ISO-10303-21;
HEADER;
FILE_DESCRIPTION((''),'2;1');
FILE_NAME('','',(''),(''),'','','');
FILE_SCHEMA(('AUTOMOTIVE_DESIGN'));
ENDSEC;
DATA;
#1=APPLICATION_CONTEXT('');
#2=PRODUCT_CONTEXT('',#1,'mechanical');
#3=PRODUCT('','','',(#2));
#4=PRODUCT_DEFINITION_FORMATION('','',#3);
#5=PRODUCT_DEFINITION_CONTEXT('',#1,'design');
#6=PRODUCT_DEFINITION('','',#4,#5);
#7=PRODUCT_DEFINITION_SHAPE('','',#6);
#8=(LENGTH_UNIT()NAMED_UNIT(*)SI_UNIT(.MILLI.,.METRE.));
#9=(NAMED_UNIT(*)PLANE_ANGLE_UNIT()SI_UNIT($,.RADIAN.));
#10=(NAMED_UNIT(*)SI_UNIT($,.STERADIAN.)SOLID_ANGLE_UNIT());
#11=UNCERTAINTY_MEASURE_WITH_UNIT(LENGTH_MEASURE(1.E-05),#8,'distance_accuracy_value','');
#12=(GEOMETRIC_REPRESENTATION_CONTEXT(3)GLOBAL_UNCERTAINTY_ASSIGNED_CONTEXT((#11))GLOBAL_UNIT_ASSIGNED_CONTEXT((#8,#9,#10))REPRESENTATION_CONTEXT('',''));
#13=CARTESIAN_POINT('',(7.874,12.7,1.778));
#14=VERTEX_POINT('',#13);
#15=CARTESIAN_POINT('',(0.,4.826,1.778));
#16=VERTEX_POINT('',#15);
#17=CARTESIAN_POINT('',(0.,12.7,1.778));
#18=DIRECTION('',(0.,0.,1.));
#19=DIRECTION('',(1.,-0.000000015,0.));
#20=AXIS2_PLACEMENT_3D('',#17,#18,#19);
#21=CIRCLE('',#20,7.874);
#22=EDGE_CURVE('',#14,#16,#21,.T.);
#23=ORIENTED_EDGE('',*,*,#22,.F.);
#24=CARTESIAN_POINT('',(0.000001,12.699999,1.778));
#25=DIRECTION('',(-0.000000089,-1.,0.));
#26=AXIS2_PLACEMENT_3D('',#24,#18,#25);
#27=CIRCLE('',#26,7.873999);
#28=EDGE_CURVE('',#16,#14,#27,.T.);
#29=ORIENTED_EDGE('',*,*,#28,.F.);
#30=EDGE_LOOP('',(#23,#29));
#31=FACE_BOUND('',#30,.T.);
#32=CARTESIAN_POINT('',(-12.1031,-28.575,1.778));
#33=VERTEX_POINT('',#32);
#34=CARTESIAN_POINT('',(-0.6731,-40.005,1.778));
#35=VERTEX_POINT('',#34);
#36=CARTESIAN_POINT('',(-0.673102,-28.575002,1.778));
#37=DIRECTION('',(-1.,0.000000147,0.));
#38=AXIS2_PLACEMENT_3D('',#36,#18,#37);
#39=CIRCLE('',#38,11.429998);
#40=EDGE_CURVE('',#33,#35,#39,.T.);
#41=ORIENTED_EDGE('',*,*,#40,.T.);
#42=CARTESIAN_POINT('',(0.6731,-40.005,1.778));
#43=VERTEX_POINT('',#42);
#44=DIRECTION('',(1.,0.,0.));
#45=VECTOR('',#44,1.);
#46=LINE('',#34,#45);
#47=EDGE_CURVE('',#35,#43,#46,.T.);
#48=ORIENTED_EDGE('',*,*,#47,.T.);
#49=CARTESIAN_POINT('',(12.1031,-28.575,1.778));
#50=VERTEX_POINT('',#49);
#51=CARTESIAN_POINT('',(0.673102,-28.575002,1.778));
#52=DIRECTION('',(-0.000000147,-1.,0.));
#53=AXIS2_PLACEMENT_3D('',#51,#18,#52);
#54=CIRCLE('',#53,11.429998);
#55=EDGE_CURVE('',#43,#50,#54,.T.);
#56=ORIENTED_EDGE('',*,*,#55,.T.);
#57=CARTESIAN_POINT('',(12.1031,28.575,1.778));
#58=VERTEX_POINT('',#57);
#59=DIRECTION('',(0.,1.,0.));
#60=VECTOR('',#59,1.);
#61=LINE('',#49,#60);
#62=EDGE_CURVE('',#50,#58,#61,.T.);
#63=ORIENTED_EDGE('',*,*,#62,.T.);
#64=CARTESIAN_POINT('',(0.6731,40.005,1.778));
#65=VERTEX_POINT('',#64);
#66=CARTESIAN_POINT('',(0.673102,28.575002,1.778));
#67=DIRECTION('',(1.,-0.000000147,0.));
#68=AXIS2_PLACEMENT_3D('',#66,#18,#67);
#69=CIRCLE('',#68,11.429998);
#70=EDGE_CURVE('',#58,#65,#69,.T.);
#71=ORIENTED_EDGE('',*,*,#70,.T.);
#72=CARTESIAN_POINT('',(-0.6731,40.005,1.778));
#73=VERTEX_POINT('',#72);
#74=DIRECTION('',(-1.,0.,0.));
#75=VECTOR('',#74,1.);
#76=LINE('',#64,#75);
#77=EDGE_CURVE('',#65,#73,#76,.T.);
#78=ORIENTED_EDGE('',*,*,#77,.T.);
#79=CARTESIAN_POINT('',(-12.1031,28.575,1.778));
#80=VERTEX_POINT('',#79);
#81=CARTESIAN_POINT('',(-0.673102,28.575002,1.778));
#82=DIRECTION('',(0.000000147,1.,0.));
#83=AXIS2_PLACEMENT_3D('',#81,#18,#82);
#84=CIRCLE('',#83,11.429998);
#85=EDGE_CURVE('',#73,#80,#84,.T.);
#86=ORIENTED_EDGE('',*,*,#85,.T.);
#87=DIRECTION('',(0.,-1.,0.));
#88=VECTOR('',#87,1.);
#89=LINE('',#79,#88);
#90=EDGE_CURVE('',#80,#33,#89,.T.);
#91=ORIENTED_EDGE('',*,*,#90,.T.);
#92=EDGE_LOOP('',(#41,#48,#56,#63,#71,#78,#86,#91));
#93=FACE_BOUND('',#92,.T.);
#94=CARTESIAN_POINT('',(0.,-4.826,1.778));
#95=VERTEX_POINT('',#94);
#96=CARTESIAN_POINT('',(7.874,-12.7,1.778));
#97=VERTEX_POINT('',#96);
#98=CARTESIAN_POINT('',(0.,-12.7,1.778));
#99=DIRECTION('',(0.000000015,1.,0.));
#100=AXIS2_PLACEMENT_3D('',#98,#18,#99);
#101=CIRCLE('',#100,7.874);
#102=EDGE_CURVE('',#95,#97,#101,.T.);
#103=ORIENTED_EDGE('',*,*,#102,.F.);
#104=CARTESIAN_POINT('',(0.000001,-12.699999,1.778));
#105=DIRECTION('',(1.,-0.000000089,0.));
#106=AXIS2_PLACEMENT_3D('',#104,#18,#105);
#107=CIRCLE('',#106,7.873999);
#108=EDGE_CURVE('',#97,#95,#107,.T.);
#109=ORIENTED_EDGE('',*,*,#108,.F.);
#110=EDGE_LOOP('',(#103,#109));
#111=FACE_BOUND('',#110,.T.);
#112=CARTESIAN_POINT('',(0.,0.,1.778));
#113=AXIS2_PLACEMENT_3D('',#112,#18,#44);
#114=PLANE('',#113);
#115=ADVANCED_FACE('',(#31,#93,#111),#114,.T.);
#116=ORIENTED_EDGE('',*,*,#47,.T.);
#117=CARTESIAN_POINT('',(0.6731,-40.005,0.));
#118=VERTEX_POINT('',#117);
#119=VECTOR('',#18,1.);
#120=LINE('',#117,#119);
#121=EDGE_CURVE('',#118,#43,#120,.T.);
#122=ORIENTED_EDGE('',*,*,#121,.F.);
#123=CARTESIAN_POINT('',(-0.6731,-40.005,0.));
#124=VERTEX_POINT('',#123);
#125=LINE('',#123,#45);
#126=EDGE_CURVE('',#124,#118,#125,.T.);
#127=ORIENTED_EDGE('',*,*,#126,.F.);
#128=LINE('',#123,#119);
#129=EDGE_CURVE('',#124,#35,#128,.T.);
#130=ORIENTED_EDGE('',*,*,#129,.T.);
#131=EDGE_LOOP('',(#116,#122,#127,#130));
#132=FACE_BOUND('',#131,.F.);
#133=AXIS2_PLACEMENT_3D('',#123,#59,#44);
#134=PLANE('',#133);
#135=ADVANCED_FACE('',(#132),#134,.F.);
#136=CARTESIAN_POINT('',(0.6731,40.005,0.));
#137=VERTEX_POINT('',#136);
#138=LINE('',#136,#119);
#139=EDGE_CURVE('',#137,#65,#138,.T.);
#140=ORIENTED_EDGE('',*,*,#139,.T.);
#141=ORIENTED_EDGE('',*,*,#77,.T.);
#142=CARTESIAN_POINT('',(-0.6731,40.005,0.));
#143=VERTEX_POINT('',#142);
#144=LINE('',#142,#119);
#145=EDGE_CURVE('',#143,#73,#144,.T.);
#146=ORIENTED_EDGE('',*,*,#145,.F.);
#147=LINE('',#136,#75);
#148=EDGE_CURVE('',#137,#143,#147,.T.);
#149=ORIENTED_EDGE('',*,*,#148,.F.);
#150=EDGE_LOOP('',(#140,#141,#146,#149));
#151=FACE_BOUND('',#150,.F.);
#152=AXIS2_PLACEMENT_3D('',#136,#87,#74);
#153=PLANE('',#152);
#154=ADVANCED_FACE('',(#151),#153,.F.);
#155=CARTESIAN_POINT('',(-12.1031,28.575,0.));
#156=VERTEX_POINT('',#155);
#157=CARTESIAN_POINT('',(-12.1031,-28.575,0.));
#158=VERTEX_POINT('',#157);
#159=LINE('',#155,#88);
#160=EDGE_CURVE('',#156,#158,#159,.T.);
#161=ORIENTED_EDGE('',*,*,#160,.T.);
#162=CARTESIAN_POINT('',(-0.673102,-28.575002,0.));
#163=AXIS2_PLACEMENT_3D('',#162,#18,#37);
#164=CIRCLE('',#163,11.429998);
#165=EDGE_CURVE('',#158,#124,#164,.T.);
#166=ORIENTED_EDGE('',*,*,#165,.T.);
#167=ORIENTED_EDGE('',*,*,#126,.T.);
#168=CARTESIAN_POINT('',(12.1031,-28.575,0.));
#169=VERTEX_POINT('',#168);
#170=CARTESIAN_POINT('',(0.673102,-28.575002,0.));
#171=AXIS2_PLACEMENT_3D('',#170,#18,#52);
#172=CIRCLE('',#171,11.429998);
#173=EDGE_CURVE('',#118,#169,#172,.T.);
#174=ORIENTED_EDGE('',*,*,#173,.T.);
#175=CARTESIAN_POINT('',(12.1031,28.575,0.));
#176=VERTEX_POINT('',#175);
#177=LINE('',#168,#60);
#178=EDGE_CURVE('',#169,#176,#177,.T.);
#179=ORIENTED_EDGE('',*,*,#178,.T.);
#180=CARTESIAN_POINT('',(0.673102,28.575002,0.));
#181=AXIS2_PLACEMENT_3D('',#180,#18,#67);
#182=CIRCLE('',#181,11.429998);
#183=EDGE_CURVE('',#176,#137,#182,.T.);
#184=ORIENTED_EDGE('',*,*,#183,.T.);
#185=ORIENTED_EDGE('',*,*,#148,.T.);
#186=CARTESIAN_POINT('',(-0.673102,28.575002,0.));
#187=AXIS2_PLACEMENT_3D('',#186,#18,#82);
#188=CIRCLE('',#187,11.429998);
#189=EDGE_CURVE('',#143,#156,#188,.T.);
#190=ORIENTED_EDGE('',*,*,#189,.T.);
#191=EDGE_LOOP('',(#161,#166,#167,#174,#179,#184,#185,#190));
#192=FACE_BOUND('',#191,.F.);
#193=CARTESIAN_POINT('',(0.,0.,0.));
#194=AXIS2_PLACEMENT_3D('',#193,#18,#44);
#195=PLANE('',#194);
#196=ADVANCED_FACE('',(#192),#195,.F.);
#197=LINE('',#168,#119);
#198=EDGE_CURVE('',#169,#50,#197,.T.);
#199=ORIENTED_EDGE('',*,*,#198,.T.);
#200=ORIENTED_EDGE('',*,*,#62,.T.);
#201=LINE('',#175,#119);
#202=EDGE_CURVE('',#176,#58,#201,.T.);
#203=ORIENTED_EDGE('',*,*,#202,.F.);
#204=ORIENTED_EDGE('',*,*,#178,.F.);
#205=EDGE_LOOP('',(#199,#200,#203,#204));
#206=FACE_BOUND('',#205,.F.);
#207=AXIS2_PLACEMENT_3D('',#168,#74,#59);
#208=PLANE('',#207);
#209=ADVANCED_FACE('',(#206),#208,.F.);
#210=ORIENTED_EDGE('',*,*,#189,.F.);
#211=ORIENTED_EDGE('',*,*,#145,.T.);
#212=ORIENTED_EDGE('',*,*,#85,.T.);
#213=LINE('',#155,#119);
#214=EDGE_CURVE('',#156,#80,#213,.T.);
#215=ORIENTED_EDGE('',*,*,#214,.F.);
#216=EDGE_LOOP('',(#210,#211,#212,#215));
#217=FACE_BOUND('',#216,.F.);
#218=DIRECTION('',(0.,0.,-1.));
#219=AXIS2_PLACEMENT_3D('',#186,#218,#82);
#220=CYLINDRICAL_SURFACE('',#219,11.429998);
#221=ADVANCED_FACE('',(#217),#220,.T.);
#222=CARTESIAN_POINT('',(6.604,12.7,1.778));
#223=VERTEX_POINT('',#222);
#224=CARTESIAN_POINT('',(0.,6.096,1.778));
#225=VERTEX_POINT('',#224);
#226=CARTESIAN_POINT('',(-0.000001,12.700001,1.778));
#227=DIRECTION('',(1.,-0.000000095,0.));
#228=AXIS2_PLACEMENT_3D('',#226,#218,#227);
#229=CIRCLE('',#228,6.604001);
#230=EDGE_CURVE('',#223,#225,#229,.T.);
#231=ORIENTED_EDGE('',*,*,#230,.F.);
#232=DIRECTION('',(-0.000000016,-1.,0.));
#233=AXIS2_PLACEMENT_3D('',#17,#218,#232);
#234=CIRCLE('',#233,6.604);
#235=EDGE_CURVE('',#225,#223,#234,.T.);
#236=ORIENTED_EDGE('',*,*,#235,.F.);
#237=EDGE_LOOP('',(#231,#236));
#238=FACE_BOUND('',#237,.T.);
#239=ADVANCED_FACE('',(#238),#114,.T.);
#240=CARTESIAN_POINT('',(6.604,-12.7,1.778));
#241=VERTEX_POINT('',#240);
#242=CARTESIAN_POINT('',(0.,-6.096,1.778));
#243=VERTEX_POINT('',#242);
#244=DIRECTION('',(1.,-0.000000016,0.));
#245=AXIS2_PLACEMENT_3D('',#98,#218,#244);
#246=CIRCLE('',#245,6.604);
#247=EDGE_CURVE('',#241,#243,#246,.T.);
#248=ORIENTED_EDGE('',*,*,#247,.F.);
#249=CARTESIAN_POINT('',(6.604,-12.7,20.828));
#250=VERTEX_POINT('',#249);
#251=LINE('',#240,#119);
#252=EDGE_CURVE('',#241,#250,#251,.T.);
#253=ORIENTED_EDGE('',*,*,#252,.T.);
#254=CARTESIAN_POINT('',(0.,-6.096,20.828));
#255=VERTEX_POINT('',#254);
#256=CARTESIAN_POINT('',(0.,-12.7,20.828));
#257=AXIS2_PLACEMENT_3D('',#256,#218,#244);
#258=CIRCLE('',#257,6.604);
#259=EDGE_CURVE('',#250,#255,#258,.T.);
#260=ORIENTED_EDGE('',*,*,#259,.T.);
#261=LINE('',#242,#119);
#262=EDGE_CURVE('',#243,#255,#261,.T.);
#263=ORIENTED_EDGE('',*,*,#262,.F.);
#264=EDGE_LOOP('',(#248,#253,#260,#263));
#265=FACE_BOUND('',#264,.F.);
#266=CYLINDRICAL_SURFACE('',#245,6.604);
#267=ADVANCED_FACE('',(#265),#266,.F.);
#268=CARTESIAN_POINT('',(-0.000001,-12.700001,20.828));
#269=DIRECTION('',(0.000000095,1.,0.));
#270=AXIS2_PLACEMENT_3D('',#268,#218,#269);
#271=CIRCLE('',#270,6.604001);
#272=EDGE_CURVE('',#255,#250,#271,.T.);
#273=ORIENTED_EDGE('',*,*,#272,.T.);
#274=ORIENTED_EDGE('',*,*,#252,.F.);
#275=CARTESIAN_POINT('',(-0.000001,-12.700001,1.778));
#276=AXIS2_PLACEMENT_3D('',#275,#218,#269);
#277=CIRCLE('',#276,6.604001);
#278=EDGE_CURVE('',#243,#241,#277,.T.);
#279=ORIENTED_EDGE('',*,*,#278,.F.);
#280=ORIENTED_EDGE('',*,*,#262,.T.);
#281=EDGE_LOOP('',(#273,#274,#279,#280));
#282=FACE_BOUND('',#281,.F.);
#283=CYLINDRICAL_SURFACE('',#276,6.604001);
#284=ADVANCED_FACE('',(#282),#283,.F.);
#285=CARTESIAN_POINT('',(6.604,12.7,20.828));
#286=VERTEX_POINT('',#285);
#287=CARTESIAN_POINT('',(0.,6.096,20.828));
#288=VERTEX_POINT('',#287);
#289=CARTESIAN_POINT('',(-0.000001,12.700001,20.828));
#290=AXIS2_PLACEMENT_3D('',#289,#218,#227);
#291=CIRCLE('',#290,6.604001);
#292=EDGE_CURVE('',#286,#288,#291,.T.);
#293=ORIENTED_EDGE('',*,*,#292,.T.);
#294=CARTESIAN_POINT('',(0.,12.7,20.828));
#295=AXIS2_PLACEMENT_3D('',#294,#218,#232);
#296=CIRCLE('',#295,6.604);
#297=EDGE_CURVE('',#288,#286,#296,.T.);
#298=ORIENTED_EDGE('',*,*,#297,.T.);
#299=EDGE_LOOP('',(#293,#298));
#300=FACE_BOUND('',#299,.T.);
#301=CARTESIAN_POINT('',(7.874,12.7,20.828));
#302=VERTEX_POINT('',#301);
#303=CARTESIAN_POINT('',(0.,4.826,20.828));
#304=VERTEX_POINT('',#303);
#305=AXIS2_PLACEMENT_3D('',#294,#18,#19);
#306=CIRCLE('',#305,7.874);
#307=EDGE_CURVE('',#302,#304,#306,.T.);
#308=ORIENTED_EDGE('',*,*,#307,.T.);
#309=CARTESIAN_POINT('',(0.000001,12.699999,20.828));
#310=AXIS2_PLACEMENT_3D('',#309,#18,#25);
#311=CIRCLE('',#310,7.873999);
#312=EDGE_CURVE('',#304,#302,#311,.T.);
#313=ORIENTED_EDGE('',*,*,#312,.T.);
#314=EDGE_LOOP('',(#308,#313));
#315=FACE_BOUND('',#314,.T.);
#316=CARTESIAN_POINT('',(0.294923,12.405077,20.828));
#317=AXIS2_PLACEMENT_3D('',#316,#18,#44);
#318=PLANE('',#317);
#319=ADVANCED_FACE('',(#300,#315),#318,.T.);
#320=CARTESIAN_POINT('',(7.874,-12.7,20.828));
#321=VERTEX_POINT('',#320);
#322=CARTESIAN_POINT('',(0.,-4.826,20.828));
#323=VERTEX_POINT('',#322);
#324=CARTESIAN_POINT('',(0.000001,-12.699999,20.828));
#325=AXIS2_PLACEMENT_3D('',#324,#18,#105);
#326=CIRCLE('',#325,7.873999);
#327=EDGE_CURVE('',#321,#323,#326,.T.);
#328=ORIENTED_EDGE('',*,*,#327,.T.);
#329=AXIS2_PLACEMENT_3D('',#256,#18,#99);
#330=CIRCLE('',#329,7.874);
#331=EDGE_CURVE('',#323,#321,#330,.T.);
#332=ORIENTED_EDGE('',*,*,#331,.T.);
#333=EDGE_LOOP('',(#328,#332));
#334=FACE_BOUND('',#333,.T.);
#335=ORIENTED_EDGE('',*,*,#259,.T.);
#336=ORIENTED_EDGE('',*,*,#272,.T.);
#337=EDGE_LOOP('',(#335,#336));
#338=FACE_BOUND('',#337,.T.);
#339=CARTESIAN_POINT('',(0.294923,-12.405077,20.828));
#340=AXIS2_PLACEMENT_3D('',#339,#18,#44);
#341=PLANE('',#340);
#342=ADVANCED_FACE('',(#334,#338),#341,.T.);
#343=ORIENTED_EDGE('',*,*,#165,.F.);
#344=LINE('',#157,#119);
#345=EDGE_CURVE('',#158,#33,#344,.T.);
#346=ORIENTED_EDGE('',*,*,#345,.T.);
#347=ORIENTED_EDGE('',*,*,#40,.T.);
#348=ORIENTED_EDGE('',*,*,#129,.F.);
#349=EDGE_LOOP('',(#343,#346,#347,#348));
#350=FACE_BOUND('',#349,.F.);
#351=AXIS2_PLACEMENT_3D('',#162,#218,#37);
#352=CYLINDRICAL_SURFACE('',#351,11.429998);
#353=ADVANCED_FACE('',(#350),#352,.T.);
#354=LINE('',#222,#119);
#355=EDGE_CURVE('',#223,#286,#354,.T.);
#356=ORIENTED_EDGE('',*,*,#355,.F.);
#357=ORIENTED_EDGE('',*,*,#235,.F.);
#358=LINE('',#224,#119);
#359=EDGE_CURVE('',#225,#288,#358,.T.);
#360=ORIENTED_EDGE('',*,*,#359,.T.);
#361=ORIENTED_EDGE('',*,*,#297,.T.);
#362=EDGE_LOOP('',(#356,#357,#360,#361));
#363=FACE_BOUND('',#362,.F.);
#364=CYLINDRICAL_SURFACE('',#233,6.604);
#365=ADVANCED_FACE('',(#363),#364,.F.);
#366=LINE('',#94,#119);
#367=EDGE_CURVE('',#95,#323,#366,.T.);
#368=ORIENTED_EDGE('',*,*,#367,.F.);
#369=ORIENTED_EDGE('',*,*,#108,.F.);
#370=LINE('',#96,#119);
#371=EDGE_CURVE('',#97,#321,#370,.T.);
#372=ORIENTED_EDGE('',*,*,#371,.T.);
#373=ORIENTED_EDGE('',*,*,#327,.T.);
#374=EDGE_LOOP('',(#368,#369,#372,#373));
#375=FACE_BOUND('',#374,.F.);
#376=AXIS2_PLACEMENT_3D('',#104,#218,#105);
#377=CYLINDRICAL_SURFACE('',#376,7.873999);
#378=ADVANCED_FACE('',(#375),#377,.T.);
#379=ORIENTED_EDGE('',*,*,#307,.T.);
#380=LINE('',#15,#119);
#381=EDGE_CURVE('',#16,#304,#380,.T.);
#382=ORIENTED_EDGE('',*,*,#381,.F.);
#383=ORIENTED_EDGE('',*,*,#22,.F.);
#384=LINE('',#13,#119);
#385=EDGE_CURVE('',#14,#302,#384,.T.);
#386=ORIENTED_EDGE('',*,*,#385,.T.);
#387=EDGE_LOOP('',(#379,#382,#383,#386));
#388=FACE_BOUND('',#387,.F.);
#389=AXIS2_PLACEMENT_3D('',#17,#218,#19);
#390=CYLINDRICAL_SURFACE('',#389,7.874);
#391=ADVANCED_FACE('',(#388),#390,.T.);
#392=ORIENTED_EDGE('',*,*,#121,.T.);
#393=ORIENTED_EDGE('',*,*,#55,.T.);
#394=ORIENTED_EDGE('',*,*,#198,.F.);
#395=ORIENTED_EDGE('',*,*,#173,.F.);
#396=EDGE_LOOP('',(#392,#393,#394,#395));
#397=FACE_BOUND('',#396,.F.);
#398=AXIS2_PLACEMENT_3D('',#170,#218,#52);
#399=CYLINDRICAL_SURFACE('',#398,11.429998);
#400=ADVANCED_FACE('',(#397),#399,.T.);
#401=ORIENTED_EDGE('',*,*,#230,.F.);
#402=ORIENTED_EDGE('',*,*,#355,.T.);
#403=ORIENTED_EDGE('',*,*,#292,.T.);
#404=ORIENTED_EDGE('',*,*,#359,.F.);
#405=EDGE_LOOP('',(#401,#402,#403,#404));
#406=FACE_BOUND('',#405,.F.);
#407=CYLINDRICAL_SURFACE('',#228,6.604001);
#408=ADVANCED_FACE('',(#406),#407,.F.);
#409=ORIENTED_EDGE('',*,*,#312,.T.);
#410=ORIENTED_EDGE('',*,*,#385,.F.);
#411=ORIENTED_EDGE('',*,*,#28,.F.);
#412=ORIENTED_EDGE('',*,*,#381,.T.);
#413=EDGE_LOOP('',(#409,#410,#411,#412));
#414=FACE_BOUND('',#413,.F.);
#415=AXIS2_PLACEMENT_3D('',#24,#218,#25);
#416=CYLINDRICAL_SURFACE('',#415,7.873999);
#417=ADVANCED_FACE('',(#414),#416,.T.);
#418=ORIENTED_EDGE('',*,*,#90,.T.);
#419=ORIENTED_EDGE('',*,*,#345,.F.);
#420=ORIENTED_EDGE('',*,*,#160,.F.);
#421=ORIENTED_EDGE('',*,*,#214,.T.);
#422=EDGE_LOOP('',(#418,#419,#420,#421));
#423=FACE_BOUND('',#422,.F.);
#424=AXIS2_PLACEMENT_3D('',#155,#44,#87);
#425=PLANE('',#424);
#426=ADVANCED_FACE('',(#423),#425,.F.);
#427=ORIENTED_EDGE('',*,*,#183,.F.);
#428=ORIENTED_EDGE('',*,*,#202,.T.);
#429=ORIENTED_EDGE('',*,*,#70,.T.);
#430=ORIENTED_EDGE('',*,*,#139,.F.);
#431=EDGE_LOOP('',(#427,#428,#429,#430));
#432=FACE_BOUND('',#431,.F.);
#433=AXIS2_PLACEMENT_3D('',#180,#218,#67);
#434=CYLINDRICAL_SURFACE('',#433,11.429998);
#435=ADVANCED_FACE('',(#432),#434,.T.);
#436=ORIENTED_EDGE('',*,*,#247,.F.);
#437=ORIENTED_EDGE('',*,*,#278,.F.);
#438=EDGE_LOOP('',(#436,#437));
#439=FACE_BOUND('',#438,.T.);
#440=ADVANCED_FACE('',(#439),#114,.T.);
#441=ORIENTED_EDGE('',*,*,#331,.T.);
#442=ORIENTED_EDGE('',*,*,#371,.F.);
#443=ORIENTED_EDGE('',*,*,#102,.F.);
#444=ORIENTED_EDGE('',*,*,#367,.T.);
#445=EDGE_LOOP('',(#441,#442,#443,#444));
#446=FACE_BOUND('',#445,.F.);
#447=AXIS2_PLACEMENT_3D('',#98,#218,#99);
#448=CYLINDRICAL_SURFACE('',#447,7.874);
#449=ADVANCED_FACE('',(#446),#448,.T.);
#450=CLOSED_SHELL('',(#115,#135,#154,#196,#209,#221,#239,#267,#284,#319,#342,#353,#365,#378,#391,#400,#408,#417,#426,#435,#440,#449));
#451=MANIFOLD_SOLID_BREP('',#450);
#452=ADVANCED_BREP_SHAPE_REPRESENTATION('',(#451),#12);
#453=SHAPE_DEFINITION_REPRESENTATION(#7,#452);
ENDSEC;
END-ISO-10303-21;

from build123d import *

# Parameters (mm, degrees)
F1_DEPTH = 1.778
F3_DEPTH = 19.05


with BuildPart() as f1:
    # F0 (on Top) → F1 (new body)
    with BuildSketch(Plane.XY):
        with BuildLine():
            Line((-0.6731, -40.005), (0.6731, -40.005))
            ThreePointArc((0.6731, -40.005), (8.755331, -36.657231), (12.1031, -28.575))
            Line((12.1031, -28.575), (12.1031, 28.575))
            ThreePointArc((12.1031, 28.575), (8.755331, 36.657231), (0.6731, 40.005))
            Line((0.6731, 40.005), (-0.6731, 40.005))
            ThreePointArc((-0.6731, 40.005), (-8.755331, 36.657231), (-12.1031, 28.575))
            Line((-12.1031, 28.575), (-12.1031, -28.575))
            ThreePointArc((-12.1031, -28.575), (-8.755331, -36.657231), (-0.6731, -40.005))
        make_face()
    extrude(amount=F1_DEPTH)

    # F2 (on face) → F3 (join)
    with BuildSketch(Plane.XY.offset(1.778)):
        with BuildLine():
            ThreePointArc((6.604, 12.7), (-4.669733, 17.369733), (0, 6.096))
            ThreePointArc((0, 6.096), (4.669733, 8.030267), (6.604, 12.7))
        make_face()
        with BuildLine():
            ThreePointArc((7.874, 12.7), (-5.567759, 18.267759), (0, 4.826))
            ThreePointArc((0, 4.826), (5.567759, 7.132241), (7.874, 12.7))
        make_face()
        with BuildLine():
            ThreePointArc((6.604, 12.7), (4.669733, 8.030267), (0, 6.096))
            ThreePointArc((0, 6.096), (-4.669733, 17.369733), (6.604, 12.7))
        make_face(mode=Mode.SUBTRACT)
        with BuildLine():
            ThreePointArc((6.604, -12.7), (4.669733, -8.030267), (0, -6.096))
            ThreePointArc((0, -6.096), (-4.669733, -17.369733), (6.604, -12.7))
        make_face()
        with BuildLine():
            ThreePointArc((7.874, -12.7), (5.567759, -7.132241), (0, -4.826))
            ThreePointArc((0, -4.826), (-5.567759, -18.267759), (7.874, -12.7))
        make_face()
        with BuildLine():
            ThreePointArc((6.604, -12.7), (-4.669733, -17.369733), (0, -6.096))
            ThreePointArc((0, -6.096), (4.669733, -8.030267), (6.604, -12.7))
        make_face(mode=Mode.SUBTRACT)
    extrude(amount=F3_DEPTH)


solid = f1.part
